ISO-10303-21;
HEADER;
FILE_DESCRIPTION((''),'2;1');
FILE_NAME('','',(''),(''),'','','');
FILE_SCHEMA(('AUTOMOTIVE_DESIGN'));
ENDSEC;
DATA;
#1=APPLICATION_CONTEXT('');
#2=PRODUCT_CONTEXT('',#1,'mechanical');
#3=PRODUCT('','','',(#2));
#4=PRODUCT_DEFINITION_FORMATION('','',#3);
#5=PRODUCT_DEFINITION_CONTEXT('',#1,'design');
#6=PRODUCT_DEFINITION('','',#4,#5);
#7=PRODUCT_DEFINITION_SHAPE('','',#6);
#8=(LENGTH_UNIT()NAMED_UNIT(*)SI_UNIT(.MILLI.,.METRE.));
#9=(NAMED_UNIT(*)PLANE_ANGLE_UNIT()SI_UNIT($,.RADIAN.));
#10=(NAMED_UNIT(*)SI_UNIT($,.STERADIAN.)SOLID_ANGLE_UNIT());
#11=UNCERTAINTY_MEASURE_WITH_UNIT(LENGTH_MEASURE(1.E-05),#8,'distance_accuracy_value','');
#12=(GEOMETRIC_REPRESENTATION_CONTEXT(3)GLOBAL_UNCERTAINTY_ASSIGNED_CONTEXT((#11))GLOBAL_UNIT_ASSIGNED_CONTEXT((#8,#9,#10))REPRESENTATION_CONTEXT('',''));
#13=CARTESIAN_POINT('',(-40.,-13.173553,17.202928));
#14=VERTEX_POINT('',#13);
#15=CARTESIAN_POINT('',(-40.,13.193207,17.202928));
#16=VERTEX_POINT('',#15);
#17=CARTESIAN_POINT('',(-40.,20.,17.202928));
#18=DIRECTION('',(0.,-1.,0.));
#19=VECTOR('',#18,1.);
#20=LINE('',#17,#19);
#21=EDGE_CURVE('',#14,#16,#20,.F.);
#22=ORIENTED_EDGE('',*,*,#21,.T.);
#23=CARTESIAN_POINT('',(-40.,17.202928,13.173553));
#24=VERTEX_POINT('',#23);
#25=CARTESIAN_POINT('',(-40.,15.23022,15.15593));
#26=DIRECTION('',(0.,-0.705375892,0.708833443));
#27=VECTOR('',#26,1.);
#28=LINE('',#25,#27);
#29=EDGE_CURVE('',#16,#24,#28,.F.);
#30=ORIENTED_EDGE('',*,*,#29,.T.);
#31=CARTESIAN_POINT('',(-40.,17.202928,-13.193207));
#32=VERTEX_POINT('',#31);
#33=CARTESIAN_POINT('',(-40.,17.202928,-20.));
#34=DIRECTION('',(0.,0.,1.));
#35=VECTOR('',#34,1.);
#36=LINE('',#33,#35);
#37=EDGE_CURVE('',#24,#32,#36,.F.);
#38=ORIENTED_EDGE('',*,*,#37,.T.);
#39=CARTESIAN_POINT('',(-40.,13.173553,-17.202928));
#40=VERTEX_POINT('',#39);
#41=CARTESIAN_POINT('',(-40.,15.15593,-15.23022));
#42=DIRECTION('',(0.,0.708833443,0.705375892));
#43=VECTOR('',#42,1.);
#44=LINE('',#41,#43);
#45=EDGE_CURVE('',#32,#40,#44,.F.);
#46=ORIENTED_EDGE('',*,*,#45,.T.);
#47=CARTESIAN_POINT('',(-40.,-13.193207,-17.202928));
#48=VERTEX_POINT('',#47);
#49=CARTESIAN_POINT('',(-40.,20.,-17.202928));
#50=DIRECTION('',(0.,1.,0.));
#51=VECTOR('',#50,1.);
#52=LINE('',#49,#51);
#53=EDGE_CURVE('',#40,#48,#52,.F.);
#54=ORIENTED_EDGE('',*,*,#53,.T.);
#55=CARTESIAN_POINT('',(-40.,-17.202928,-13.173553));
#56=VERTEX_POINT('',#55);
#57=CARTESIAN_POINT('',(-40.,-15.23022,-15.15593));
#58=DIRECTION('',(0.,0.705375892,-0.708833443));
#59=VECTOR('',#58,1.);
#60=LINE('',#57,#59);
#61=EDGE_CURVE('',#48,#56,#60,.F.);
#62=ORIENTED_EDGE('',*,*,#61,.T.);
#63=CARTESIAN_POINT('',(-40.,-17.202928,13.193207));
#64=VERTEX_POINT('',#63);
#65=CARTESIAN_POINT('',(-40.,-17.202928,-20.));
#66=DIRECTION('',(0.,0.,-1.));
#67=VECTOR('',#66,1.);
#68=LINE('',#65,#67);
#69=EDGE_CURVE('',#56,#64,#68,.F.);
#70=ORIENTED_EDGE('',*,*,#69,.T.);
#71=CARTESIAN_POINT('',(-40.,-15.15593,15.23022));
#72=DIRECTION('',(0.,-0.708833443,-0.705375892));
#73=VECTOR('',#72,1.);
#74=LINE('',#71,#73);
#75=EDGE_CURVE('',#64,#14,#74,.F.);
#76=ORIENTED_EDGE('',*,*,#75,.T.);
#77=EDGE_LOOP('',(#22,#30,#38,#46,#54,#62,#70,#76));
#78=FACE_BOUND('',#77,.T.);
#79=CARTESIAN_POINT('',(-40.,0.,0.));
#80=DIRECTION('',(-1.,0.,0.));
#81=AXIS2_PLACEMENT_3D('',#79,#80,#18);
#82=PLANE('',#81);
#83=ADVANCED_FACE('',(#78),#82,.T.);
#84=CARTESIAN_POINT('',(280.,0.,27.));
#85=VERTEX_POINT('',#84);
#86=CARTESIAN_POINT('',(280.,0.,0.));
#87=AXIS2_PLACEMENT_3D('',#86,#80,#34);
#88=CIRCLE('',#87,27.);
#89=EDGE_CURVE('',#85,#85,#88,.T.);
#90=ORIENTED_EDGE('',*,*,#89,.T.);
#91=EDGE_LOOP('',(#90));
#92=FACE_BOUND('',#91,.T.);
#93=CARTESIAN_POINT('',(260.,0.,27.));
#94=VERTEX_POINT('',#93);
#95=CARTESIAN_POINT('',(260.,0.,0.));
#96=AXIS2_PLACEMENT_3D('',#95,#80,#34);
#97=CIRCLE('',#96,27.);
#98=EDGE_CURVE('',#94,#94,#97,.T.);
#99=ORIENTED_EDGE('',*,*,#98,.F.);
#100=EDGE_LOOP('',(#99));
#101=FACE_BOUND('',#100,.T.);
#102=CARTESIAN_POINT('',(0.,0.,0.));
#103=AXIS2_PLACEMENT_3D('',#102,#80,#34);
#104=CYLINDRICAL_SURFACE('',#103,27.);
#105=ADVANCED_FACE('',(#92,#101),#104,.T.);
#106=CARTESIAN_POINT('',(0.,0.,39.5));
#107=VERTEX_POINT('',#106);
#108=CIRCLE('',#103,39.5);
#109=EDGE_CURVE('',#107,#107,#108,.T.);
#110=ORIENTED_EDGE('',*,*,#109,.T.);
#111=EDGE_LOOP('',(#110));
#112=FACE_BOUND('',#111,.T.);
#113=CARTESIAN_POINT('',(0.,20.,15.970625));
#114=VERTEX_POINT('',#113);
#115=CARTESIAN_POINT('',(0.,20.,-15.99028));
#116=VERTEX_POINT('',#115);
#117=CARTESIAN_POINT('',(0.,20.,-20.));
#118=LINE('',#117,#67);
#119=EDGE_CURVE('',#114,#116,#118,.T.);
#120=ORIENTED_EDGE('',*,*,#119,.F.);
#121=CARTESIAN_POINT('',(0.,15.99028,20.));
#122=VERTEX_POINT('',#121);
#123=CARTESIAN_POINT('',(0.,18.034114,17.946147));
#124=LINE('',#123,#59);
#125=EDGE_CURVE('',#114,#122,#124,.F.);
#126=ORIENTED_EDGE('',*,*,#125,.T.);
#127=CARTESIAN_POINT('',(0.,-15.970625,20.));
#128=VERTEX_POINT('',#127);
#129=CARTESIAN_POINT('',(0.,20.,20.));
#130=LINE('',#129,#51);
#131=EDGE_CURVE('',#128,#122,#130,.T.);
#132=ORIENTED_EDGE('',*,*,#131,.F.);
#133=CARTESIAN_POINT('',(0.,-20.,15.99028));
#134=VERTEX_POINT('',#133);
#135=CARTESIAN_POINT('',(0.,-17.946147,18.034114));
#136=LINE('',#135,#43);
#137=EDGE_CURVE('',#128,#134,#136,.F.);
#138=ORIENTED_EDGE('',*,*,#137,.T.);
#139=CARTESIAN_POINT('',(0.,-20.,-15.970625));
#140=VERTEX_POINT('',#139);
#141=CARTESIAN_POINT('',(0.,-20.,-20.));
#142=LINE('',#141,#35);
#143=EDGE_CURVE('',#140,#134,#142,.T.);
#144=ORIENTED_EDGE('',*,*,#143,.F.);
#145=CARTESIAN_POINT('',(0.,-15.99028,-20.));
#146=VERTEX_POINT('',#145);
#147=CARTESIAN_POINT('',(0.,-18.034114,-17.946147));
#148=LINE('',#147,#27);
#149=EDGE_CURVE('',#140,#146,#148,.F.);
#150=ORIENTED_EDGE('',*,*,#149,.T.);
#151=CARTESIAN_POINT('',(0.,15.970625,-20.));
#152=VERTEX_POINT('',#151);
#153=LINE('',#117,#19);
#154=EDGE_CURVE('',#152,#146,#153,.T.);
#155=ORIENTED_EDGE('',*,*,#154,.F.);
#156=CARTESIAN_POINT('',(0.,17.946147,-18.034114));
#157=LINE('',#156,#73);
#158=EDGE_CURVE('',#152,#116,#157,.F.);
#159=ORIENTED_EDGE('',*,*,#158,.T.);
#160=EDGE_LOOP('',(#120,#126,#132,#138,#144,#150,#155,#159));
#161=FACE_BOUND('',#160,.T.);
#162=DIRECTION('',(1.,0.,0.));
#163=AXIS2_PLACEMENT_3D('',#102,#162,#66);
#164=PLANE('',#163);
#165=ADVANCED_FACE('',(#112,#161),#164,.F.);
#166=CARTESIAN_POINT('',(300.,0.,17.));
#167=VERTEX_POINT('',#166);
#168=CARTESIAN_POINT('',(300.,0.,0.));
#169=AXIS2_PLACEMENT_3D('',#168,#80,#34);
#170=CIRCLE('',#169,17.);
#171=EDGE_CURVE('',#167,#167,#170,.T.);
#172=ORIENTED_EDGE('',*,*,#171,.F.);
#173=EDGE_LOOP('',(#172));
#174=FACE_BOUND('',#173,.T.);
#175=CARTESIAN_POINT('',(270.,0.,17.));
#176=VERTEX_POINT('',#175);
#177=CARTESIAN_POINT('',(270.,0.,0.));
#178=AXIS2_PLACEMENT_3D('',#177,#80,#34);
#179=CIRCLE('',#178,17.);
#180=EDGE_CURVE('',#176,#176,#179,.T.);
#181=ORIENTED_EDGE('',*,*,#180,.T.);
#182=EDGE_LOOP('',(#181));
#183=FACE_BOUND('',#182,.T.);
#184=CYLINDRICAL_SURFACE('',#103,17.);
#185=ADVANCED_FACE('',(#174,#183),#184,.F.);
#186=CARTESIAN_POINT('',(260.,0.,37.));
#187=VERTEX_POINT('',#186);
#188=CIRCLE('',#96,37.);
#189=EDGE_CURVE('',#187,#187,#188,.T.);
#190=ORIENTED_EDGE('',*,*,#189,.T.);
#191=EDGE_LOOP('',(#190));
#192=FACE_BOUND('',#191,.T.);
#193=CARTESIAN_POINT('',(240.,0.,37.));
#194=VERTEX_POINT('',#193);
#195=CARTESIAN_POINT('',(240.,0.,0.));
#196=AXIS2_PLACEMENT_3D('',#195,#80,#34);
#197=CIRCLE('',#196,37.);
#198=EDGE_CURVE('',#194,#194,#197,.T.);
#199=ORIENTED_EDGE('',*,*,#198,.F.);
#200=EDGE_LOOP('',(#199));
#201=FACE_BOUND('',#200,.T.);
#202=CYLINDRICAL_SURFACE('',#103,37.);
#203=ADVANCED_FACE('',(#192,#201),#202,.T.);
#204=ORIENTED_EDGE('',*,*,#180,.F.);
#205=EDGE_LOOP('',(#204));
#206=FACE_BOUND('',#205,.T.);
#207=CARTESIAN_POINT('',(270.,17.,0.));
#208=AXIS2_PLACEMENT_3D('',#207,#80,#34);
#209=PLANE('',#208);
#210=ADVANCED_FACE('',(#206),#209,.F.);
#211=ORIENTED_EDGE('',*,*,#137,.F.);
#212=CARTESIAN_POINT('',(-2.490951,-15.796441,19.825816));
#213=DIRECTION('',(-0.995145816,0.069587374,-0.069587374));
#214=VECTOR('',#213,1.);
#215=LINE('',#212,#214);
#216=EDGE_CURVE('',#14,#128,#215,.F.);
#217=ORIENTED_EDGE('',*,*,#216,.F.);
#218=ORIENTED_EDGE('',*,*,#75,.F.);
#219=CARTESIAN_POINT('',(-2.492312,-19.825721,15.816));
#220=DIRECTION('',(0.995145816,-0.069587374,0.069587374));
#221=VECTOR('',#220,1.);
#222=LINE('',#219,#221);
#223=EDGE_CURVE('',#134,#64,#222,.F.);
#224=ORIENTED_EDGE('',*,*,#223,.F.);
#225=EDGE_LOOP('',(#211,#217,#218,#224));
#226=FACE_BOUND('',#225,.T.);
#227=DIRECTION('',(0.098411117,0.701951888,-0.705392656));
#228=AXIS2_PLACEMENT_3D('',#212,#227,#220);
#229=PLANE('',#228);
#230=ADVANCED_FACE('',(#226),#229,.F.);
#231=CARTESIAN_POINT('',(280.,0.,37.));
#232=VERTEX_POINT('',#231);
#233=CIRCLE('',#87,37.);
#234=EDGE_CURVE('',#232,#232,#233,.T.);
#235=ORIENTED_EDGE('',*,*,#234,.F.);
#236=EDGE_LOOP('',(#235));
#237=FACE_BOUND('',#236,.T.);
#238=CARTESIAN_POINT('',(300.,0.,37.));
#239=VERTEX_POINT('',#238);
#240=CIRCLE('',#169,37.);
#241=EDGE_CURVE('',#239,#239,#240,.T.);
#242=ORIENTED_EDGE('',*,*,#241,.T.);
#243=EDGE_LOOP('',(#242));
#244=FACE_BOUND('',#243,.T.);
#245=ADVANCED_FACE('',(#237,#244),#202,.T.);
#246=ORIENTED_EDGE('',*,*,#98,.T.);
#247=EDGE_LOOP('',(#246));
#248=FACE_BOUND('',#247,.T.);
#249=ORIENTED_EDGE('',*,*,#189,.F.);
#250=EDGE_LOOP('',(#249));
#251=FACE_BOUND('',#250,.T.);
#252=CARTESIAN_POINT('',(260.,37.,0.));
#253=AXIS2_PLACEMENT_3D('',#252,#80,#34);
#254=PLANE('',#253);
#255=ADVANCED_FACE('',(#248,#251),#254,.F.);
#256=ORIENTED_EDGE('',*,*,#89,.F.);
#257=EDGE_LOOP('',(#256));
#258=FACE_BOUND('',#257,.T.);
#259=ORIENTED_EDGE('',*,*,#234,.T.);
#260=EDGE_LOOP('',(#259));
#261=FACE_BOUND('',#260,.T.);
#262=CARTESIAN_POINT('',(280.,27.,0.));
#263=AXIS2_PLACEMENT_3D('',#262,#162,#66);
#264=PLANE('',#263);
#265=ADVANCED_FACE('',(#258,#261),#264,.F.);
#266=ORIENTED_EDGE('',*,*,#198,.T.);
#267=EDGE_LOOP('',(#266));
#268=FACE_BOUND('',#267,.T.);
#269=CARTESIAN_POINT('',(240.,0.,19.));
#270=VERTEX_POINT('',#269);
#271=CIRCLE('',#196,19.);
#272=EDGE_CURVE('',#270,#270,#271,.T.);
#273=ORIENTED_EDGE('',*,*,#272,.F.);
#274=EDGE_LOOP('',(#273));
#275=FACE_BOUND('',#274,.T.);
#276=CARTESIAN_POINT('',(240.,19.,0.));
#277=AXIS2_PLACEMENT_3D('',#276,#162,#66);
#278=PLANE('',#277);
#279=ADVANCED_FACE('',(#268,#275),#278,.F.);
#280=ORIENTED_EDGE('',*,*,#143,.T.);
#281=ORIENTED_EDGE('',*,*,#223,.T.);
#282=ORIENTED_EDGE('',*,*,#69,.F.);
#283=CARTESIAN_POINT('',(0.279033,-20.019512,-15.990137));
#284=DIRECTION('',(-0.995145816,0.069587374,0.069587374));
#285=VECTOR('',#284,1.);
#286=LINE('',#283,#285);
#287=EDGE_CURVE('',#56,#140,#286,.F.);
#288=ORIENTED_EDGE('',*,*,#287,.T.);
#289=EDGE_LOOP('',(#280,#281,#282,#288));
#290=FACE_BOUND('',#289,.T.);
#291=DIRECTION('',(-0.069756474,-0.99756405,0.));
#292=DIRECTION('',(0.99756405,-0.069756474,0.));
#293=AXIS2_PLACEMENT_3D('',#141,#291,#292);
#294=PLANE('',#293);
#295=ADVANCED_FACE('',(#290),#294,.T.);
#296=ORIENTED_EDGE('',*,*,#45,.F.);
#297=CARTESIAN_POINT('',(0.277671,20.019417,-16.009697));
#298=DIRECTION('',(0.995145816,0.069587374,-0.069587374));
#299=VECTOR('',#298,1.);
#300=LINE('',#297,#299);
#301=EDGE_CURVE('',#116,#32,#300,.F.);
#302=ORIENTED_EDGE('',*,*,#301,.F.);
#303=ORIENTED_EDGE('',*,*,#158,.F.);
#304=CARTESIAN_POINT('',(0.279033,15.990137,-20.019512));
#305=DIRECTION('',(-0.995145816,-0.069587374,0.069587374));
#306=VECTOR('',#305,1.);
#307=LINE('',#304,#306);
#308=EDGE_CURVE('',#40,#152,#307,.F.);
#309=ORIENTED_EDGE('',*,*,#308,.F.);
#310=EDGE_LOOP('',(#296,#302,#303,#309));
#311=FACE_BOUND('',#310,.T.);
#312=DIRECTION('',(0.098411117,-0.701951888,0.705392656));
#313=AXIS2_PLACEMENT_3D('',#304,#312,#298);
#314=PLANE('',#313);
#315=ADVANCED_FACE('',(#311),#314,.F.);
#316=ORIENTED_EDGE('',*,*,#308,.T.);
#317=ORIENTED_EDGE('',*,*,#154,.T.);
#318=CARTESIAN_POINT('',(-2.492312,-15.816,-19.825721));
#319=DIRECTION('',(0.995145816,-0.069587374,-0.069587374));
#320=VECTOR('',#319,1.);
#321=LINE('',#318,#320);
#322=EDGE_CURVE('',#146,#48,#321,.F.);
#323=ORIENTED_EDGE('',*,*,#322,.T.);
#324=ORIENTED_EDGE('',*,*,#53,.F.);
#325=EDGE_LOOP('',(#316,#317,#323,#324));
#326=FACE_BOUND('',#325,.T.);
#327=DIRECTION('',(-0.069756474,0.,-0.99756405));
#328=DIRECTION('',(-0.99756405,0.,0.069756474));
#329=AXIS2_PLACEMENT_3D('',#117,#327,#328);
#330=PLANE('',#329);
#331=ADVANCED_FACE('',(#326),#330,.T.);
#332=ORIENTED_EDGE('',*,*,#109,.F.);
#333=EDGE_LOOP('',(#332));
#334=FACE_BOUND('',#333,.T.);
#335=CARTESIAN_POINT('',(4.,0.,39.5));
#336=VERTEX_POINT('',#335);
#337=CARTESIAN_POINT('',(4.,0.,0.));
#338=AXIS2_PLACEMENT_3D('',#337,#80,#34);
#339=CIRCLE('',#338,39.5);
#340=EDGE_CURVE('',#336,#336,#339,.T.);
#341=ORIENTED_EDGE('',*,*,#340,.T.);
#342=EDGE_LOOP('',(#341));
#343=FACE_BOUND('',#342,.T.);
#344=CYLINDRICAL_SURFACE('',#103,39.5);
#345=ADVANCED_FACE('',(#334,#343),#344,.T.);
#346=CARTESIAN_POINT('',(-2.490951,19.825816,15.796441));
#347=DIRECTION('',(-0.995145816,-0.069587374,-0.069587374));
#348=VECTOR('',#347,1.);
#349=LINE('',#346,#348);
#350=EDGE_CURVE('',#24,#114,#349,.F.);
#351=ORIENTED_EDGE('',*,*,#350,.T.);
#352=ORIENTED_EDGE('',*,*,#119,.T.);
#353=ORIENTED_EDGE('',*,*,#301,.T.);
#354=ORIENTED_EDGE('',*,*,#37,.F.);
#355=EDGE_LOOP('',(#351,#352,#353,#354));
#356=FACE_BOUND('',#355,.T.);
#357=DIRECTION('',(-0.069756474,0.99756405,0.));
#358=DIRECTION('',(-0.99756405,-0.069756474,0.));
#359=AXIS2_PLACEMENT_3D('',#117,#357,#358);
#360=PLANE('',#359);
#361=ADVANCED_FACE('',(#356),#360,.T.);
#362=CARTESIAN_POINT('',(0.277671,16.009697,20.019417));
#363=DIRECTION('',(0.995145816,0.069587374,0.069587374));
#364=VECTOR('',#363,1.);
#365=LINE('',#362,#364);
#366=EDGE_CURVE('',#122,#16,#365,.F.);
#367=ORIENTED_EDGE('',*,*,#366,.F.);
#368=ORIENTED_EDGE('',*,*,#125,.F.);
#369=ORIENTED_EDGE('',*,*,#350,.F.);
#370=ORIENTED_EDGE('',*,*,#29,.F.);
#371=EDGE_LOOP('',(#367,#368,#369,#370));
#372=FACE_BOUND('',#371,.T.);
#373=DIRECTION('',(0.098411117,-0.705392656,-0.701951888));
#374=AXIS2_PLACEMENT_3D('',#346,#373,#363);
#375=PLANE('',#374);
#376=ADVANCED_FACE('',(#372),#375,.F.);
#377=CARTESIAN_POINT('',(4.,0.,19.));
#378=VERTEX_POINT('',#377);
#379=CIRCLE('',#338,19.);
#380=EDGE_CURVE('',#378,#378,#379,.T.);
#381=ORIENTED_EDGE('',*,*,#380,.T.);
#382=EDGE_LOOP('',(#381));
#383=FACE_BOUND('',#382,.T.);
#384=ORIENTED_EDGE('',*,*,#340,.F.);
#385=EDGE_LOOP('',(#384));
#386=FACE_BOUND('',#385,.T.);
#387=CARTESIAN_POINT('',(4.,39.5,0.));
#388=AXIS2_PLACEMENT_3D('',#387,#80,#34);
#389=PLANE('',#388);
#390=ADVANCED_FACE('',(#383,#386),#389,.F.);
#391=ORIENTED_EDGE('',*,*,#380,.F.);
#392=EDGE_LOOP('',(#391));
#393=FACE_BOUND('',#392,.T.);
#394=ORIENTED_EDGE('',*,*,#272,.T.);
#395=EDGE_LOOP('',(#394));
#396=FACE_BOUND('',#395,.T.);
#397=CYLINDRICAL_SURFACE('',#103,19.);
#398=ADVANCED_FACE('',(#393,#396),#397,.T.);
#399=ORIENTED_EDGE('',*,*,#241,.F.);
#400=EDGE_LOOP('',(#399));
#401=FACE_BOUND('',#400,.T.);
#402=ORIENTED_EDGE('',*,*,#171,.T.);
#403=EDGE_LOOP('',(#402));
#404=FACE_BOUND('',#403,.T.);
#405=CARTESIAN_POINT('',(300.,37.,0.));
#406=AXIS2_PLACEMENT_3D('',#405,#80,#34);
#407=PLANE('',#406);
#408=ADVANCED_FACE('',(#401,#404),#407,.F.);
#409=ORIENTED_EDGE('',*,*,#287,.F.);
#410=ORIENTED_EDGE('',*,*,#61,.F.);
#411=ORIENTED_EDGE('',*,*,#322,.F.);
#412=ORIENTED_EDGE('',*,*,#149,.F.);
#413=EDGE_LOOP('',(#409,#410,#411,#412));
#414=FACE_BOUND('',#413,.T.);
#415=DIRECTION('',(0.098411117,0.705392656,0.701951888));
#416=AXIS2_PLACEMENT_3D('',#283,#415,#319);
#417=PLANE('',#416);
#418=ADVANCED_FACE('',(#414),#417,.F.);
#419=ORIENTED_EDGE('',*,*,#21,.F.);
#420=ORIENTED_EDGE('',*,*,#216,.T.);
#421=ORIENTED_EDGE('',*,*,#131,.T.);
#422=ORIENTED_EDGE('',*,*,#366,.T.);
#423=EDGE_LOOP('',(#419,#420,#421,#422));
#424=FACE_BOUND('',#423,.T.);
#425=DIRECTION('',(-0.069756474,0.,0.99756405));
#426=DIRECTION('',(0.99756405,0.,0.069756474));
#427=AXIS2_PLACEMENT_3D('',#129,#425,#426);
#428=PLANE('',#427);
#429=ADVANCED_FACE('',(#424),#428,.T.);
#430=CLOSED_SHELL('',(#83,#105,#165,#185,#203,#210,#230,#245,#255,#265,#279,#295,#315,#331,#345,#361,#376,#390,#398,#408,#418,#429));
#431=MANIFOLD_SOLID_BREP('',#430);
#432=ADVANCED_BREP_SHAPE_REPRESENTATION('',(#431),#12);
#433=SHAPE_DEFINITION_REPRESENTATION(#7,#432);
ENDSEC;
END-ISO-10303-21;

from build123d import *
from OCP.BRepFilletAPI import BRepFilletAPI_MakeChamfer

# Parameters (mm, degrees)
ESQUISSE2_W        = 40
ESQUISSE2_H        = 40
BOSS_EXTRU_1_DEPTH = 40
BOSS_EXTRU_1_TAPER = 4
CHANFREIN1_SIZE    = 4
CHANFREIN1_SIZE2   = 4.019606856


with BuildPart() as part:
    # Esquisse1 → Révolution1 (revolve)
    with BuildSketch(Plane.XY, mode=Mode.PRIVATE) as r_volution1_sk:
        Polygon((0, 0), (0, 39.5), (4, 39.5), (4, 19), (240, 19), (240, 37), (260, 37), (260, 27), (280, 27), (280, 37), (300, 37), (300, 17), (270, 17), (270, 0), align=None)
    revolve(r_volution1_sk.sketch.rotate(Axis((0, 0, 0), (1, 0, 0)), 90), axis=Axis((0, 0, 0), (1, 0, 0)))

    # Esquisse2 → Boss.-Extru.1 (add)
    with BuildSketch(Plane.ZY):
        Rectangle(ESQUISSE2_W, ESQUISSE2_H)
    extrude(amount=BOSS_EXTRU_1_DEPTH, taper=BOSS_EXTRU_1_TAPER)

    # Chanfrein1: one chamfer whose edges measure the first distance from different faces: ONE call of the kernel's chamfer builder (chamfer() names one face for all edges)
    chanfrein1_edges_1 = [part.edges().sort_by_distance(p)[0] for p in [
        (-20, 18.601463761, -18.601463761),
    ]]
    chanfrein1_side_1 = [part.faces().sort_by_distance(p)[0] for p in [
        (-19.498771976, 18.636513039, 0),
    ]]
    chanfrein1_edges_2 = [part.edges().sort_by_distance(p)[0] for p in [
        (-20, -18.601463761, -18.601463761),
    ]]
    chanfrein1_side_2 = [part.faces().sort_by_distance(p)[0] for p in [
        (-19.498771976, 0, -18.636513039),
    ]]
    chanfrein1_edges_3 = [part.edges().sort_by_distance(p)[0] for p in [
        (-20, -18.601463761, 18.601463761),
    ]]
    chanfrein1_side_3 = [part.faces().sort_by_distance(p)[0] for p in [
        (-19.498771976, -18.636513039, 0),
    ]]
    chanfrein1_edges_4 = [part.edges().sort_by_distance(p)[0] for p in [
        (-20, 18.601463761, 18.601463761),
    ]]
    chanfrein1_side_4 = [part.faces().sort_by_distance(p)[0] for p in [
        (-19.498771976, 0, 18.636513039),
    ]]
    chanfrein1 = BRepFilletAPI_MakeChamfer(part.part.solid().wrapped)
    for e in chanfrein1_edges_1:
        chanfrein1.Add(CHANFREIN1_SIZE, CHANFREIN1_SIZE2, e.wrapped, chanfrein1_side_1[0].wrapped)  # the first distance lies on this face
    for e in chanfrein1_edges_2:
        chanfrein1.Add(CHANFREIN1_SIZE, CHANFREIN1_SIZE2, e.wrapped, chanfrein1_side_2[0].wrapped)  # the first distance lies on this face
    for e in chanfrein1_edges_3:
        chanfrein1.Add(CHANFREIN1_SIZE, CHANFREIN1_SIZE2, e.wrapped, chanfrein1_side_3[0].wrapped)  # the first distance lies on this face
    for e in chanfrein1_edges_4:
        chanfrein1.Add(CHANFREIN1_SIZE, CHANFREIN1_SIZE2, e.wrapped, chanfrein1_side_4[0].wrapped)  # the first distance lies on this face
    add(Compound.cast(chanfrein1.Shape()), mode=Mode.REPLACE)


solid = part.part
